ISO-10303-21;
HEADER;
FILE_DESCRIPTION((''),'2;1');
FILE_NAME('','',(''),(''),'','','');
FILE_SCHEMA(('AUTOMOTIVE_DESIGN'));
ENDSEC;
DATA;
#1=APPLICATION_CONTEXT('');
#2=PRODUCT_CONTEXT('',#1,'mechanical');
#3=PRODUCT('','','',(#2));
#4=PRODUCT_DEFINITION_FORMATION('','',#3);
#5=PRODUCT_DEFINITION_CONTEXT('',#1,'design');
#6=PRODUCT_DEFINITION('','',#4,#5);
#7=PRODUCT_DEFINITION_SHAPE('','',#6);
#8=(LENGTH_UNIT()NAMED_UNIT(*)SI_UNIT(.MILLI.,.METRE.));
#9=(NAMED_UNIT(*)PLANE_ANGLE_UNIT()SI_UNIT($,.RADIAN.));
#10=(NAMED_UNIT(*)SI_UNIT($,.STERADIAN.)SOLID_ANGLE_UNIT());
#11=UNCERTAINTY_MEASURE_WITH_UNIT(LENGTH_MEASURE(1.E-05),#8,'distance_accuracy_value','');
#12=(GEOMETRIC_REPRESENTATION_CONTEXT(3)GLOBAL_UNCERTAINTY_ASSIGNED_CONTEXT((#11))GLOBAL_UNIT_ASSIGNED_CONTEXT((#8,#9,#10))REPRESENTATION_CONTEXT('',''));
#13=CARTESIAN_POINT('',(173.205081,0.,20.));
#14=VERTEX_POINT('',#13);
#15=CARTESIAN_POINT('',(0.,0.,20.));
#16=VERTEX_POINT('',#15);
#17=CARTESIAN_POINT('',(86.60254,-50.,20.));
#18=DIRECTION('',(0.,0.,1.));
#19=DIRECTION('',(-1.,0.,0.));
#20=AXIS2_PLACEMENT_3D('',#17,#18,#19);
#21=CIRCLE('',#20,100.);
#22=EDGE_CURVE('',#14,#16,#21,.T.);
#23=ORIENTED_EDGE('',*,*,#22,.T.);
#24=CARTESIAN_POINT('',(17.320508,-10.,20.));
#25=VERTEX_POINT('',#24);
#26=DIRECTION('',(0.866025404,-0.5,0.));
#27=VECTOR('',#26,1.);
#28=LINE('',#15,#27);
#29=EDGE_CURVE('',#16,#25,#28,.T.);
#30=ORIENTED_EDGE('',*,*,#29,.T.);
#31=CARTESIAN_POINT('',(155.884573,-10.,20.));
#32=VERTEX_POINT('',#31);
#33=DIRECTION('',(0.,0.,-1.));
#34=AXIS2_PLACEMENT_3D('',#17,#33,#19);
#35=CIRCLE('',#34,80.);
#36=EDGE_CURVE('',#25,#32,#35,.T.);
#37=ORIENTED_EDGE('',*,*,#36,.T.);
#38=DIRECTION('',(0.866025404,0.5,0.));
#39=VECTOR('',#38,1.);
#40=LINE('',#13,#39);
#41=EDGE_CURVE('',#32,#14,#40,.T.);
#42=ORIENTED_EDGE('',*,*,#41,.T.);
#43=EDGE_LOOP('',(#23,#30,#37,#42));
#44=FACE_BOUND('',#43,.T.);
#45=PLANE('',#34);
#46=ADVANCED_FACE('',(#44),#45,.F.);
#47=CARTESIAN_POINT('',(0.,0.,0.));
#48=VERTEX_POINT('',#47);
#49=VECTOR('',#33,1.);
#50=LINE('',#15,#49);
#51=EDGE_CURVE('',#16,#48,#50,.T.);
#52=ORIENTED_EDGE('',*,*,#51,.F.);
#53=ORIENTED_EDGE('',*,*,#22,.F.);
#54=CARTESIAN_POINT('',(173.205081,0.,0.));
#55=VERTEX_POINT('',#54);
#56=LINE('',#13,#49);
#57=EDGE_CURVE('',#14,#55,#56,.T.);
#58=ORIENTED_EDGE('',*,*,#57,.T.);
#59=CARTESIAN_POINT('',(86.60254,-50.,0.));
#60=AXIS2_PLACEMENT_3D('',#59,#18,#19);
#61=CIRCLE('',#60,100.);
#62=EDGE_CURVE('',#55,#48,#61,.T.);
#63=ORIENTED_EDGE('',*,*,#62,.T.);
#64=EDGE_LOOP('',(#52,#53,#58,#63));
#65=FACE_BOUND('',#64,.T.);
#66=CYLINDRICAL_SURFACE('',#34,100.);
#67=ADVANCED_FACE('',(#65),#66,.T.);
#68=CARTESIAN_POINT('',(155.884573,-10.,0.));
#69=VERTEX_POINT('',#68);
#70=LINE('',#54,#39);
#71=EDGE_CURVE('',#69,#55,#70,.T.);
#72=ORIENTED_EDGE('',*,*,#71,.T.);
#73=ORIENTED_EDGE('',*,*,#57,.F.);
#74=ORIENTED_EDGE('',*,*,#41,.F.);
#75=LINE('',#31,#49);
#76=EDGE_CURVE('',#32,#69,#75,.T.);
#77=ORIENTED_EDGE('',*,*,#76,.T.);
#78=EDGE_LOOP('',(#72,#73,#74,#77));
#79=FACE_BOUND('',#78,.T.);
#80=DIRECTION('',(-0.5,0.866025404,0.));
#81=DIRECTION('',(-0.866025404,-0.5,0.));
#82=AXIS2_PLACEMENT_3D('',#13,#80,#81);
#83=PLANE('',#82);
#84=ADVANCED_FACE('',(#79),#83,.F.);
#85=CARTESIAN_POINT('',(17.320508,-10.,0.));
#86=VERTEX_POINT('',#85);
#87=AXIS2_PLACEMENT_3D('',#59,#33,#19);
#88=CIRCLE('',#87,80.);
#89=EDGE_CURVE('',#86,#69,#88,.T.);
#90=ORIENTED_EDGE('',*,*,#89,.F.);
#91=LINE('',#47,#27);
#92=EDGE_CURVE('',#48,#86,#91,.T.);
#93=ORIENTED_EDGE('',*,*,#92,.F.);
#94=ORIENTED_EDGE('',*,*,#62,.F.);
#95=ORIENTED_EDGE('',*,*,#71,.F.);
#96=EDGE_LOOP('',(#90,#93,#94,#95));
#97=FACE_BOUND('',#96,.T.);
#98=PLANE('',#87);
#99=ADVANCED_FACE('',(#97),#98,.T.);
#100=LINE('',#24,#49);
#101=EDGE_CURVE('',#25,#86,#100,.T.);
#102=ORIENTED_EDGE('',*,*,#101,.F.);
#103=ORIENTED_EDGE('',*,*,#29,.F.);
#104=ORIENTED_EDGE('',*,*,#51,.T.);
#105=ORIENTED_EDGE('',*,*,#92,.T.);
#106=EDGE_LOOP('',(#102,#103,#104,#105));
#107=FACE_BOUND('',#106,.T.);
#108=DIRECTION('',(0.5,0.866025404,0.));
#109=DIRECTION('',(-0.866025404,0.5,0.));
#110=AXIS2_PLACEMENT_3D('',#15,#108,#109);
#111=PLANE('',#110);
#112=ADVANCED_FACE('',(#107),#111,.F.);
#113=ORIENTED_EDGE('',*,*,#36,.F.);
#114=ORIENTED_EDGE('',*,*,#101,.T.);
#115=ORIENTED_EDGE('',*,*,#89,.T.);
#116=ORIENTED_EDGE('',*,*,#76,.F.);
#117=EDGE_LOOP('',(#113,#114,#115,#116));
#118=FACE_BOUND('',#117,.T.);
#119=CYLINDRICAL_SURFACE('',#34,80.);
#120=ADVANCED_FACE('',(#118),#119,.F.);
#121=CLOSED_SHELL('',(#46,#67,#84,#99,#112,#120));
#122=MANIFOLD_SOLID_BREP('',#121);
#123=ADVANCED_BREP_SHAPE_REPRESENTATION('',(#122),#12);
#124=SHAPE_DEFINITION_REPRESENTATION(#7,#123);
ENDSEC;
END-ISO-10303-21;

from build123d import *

# Parameters (mm, degrees)
EXTRUDE_1_DEPTH = 20


with BuildPart() as part:
    # 草图1 → 凸台-拉伸1 (new body)
    with BuildSketch(Plane.XY):
        with BuildLine():
            Line((0, 0), (17.320508076, -10))
            ThreePointArc((17.320508076, -10), (86.602540378, 30), (155.884572681, -10))
            Line((155.884572681, -10), (173.205080757, 0))
            ThreePointArc((173.205080757, 0), (86.602540378, 50), (0, 0))
        make_face()
    extrude(amount=EXTRUDE_1_DEPTH)


solid = part.part
